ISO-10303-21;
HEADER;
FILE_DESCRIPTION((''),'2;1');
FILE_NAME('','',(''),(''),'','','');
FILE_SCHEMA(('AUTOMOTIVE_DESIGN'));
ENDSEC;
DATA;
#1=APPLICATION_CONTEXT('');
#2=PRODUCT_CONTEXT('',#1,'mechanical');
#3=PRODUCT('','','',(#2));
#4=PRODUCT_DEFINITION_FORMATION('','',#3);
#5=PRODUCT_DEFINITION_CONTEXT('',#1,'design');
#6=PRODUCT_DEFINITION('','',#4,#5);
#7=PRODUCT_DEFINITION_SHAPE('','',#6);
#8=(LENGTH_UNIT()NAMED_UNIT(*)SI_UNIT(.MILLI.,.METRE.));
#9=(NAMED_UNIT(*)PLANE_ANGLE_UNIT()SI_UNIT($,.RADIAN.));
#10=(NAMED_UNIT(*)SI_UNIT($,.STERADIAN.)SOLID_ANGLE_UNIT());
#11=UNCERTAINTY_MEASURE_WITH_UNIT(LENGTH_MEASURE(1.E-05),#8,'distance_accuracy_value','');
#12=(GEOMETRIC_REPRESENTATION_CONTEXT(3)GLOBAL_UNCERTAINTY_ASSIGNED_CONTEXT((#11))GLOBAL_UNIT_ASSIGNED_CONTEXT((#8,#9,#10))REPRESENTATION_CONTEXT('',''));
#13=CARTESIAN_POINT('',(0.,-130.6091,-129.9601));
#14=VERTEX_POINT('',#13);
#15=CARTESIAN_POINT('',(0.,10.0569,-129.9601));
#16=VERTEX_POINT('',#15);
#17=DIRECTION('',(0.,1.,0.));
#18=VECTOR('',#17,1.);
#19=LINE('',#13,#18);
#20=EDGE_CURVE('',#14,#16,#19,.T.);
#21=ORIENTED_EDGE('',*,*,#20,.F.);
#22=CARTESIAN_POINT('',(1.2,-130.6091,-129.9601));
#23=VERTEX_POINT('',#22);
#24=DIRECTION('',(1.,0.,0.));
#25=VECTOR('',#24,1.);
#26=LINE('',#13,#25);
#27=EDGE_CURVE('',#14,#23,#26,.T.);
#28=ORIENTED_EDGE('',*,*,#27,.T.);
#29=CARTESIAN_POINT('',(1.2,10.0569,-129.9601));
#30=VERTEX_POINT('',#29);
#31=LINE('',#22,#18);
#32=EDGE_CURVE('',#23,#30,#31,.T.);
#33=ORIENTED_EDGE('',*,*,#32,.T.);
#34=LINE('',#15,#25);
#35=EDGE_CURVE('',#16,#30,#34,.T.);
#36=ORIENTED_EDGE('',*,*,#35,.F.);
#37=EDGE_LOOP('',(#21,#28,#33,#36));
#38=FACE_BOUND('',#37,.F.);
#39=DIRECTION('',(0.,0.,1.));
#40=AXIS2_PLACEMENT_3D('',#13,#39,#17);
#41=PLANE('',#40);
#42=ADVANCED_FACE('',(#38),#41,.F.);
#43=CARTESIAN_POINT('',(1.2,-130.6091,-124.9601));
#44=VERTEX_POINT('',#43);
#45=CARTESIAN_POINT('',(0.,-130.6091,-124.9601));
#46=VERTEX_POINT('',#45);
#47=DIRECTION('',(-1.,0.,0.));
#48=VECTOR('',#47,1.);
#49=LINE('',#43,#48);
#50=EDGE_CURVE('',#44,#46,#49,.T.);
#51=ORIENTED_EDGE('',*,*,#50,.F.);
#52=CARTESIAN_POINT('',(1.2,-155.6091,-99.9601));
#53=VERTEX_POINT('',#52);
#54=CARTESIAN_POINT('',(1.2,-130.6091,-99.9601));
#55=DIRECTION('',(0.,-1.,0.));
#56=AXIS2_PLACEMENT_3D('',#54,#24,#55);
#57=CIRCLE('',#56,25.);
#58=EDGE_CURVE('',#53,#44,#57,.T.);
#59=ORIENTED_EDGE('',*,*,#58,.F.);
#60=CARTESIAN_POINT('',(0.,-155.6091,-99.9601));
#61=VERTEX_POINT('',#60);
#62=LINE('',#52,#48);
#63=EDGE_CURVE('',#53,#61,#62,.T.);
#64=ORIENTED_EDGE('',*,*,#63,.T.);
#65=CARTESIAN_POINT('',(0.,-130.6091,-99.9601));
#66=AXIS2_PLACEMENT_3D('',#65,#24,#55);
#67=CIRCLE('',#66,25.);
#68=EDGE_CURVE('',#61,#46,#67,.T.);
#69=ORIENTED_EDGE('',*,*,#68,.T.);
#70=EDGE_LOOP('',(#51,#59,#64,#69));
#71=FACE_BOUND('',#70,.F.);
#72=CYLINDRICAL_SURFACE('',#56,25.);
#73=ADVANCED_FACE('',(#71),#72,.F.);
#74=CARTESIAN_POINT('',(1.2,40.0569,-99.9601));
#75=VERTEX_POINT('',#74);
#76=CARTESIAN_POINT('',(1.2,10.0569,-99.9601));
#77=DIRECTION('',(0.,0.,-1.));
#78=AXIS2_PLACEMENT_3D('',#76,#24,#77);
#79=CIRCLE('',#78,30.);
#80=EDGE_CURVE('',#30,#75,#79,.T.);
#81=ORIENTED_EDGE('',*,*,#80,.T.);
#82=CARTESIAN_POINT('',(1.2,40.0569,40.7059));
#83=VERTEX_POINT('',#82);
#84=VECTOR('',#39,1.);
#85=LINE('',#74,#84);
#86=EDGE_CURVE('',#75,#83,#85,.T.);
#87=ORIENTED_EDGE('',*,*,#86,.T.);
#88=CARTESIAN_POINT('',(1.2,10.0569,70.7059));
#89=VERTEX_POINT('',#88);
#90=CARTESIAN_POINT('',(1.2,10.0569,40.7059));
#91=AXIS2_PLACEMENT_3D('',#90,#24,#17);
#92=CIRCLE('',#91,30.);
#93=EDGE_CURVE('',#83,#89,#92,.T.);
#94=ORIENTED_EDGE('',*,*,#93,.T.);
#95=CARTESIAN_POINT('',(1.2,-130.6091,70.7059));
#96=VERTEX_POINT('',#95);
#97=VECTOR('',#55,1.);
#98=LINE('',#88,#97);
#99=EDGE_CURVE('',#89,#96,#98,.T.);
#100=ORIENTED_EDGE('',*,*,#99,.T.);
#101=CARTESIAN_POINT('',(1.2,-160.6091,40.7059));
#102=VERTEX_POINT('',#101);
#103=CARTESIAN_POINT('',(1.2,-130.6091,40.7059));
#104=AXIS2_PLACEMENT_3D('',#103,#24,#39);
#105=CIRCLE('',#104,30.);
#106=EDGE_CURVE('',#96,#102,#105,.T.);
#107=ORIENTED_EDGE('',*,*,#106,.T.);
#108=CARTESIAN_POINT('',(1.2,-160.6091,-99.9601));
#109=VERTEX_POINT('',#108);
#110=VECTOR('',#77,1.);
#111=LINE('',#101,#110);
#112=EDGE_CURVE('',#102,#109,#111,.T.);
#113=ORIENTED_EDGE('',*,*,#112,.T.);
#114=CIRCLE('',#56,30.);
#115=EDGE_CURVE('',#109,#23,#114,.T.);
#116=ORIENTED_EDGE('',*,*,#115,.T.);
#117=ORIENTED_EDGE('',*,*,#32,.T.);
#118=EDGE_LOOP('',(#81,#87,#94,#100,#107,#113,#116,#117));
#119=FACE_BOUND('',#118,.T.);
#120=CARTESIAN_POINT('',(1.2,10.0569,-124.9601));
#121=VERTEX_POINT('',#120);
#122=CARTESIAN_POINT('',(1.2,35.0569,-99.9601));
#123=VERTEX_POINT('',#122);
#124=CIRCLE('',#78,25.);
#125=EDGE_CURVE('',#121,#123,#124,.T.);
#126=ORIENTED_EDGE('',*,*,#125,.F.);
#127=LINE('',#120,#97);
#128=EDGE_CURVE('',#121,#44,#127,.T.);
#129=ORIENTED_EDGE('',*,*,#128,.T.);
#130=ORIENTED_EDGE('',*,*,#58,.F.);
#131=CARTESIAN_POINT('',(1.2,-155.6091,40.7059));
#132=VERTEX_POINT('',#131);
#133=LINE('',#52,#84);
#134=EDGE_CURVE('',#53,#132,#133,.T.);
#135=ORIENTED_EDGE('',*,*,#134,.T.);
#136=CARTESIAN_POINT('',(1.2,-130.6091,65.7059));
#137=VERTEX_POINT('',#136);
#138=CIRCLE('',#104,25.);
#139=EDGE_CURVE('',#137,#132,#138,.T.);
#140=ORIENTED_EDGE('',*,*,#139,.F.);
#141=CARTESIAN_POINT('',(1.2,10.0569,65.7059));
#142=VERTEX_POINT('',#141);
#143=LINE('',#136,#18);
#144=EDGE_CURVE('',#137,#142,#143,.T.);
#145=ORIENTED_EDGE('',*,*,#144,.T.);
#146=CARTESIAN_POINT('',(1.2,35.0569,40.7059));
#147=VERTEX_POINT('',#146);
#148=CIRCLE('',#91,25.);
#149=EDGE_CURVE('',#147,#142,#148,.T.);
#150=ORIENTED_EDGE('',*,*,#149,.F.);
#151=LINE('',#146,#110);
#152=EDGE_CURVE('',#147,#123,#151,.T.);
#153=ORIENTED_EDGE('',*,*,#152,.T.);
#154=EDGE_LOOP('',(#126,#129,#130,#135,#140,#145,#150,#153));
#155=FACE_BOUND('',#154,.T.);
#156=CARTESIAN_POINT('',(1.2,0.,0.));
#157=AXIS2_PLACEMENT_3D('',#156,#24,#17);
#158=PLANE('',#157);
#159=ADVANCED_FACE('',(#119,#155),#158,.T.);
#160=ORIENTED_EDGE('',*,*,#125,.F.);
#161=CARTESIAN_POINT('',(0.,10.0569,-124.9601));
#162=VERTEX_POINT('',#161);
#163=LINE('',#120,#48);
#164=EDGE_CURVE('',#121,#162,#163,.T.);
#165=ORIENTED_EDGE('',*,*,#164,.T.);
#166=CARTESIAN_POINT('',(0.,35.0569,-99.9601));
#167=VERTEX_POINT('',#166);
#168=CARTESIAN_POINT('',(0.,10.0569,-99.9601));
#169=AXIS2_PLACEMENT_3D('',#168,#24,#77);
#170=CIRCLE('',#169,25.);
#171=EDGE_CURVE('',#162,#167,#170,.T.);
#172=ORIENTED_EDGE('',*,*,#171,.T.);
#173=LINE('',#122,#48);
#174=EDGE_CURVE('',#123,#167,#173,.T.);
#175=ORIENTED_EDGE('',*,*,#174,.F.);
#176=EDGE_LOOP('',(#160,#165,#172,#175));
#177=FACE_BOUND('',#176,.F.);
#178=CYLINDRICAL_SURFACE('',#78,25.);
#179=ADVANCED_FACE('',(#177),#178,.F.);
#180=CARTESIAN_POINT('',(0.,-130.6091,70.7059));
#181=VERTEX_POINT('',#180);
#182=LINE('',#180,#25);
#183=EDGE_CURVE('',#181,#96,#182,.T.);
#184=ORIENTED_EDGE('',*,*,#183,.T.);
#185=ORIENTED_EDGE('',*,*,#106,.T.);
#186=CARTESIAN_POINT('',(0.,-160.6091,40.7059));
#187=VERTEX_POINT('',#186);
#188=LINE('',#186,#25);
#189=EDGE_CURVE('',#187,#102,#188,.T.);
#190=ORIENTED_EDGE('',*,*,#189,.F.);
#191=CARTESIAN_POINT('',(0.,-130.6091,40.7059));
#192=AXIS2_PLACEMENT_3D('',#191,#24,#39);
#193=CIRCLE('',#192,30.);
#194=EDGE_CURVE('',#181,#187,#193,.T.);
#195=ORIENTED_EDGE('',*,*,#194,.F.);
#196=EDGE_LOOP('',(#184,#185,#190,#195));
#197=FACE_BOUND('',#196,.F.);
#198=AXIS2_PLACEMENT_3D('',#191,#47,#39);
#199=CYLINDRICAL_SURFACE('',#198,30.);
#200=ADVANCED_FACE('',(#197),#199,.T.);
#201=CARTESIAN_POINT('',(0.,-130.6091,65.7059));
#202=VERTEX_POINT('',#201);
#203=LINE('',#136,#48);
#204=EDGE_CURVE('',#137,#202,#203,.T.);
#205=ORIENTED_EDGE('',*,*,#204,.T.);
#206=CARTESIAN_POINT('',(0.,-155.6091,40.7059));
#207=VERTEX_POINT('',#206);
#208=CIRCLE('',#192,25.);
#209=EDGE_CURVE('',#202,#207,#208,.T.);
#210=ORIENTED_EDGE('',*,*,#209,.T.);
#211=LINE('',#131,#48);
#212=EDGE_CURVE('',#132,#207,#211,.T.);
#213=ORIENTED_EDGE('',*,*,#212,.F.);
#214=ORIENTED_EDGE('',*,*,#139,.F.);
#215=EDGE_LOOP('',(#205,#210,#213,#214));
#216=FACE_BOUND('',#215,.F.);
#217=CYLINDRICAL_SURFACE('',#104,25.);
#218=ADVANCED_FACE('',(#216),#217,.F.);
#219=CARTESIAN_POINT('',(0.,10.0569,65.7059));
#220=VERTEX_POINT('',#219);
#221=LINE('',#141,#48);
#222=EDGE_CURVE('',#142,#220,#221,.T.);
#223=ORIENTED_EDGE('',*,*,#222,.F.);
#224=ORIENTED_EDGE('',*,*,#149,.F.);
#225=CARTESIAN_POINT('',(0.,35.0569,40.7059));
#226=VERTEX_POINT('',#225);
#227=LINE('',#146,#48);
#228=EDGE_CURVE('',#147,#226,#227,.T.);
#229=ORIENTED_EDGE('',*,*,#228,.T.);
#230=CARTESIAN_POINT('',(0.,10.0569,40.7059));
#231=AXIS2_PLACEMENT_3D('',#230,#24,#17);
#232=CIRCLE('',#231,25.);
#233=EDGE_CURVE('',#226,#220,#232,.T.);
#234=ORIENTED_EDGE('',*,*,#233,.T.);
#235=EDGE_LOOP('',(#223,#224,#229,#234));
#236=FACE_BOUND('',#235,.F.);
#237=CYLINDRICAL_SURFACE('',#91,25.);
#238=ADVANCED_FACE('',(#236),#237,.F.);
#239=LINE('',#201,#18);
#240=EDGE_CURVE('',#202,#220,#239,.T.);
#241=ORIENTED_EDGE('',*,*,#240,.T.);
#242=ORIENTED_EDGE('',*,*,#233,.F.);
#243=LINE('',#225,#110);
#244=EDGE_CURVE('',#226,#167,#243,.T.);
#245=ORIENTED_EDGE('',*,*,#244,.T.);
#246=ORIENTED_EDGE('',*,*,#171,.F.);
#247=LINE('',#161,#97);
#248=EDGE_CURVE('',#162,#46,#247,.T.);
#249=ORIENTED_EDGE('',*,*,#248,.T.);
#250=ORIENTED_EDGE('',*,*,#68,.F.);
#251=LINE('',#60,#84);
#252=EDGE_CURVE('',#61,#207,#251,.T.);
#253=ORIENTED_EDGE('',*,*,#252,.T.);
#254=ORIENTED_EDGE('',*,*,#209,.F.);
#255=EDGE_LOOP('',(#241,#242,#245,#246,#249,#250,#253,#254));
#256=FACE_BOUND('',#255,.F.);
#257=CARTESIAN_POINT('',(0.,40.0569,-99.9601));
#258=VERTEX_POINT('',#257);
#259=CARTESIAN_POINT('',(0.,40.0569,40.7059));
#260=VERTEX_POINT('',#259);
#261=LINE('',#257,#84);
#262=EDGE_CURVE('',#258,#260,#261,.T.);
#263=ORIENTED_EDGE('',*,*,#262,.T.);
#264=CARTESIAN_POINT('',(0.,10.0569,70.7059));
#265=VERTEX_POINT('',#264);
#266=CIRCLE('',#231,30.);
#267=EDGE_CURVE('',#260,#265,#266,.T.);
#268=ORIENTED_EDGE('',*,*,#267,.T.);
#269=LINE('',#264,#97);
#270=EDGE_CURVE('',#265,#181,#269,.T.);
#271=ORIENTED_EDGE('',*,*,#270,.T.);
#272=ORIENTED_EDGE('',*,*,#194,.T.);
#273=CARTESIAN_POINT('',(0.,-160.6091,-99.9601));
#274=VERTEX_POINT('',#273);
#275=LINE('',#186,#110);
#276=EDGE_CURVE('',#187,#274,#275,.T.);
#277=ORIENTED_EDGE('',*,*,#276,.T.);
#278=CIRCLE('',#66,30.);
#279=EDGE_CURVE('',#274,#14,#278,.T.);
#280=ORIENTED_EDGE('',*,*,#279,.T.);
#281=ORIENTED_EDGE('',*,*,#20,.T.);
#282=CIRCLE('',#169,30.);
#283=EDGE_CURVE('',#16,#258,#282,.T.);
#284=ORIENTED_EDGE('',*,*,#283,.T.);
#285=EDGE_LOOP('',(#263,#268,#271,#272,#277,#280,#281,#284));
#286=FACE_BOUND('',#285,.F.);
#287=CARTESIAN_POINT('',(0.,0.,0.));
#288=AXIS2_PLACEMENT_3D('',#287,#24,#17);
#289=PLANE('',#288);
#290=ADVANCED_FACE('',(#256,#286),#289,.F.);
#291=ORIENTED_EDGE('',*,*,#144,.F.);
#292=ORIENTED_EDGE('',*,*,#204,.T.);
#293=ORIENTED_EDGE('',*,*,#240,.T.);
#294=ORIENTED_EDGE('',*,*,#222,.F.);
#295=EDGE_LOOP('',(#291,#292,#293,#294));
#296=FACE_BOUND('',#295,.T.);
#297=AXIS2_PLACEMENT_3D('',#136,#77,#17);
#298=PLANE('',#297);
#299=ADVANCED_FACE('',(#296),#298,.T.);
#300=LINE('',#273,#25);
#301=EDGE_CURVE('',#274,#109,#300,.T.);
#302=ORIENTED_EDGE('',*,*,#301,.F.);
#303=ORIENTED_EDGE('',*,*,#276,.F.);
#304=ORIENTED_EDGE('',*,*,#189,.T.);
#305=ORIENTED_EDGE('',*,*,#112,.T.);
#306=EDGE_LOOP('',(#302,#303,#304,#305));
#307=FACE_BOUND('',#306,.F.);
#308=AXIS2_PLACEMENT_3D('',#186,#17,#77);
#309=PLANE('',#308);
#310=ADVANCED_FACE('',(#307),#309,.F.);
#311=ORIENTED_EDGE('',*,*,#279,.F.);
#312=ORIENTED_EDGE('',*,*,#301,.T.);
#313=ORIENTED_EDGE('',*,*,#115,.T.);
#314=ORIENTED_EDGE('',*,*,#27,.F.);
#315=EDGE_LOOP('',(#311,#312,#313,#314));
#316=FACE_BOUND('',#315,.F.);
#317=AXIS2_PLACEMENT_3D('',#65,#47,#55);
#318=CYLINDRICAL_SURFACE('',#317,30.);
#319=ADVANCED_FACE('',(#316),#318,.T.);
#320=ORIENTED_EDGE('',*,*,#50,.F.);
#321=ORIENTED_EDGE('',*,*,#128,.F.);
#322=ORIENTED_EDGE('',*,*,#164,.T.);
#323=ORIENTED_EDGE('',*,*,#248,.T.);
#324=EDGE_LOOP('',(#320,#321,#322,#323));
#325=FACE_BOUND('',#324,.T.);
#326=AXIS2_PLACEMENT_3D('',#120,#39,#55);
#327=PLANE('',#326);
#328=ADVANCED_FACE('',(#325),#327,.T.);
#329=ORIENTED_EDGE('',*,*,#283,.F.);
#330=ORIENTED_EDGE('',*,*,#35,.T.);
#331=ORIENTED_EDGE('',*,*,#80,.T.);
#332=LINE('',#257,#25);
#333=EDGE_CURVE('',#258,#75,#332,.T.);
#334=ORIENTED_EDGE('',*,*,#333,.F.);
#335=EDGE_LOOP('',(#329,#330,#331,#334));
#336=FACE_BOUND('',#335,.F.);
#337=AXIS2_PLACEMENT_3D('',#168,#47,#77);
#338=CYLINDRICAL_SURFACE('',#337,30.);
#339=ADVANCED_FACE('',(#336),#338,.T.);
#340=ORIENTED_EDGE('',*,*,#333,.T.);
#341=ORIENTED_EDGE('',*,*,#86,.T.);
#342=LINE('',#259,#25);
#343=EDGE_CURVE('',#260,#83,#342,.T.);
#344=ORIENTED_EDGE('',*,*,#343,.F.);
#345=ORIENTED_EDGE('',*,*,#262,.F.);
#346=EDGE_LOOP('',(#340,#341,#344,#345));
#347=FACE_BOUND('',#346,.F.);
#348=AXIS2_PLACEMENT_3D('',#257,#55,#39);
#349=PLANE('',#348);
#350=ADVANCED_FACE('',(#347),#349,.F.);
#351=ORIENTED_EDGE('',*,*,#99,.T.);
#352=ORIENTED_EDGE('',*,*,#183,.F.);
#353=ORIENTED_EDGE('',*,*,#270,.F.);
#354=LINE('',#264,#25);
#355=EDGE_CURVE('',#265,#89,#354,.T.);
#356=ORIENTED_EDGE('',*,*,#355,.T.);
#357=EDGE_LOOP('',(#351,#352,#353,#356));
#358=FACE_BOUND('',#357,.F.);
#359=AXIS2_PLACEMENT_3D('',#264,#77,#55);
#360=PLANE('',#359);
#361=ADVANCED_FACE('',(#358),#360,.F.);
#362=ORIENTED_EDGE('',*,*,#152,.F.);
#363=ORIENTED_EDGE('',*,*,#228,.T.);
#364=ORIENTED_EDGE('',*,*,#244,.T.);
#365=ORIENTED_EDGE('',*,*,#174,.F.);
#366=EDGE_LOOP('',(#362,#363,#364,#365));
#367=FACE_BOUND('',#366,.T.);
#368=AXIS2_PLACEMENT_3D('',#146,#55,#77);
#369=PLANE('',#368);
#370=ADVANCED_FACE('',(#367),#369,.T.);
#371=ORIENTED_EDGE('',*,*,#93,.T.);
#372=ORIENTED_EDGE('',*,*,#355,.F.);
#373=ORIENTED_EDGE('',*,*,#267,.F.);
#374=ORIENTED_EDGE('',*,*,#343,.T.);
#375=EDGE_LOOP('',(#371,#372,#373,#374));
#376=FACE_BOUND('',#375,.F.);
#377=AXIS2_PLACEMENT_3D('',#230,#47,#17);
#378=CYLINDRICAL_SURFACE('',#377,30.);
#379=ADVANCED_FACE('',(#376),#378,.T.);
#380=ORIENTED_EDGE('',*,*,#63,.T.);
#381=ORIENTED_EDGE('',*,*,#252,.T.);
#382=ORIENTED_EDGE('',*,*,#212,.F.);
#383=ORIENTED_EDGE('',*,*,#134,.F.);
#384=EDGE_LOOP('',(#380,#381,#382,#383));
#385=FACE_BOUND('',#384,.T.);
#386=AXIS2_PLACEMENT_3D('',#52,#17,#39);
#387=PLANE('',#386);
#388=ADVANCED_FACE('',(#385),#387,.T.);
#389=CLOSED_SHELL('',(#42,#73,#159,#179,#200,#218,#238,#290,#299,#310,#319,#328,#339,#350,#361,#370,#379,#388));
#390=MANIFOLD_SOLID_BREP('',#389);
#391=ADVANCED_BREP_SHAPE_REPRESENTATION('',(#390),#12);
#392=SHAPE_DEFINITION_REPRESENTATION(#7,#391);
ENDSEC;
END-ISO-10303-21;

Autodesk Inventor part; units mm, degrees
ref_plane "YZ Plane" through (0, 0, 0) normal (1, 0, 0) x (0, 1, 0)
ref_plane "XZ Plane" through (0, 0, 0) normal (0, 1, 0) x (-1, 0, 0)
ref_plane "XY Plane" through (0, 0, 0) normal (0, 0, 1) x (1, 0, 0)
sketch "Эскиз1" plane through (0, 0, 0) normal (1, 0, 0) x (0, 1, 0)
  line L0 (10.0569, 70.7059) -> (-130.6091, 70.7059)
  line L1 (-160.6091, 40.7059) -> (-160.6091, -99.9601)
  line L2 (-130.6091, -129.9601) -> (10.0569, -129.9601)
  line L3 (40.0569, -99.9601) -> (40.0569, 40.7059)
  arc A0 (40.0569, 40.7059) -> (10.0569, 70.7059) centre (10.0569, 40.7059) ccw
  arc A1 (10.0569, -129.9601) -> (40.0569, -99.9601) centre (10.0569, -99.9601) ccw
  arc A2 (-160.6091, -99.9601) -> (-130.6091, -129.9601) centre (-130.6091, -99.9601) ccw
  arc A3 (-130.6091, 70.7059) -> (-160.6091, 40.7059) centre (-130.6091, 40.7059) ccw
  point P0 (0, 0)
  point P1 (-160.6091, -129.9601)
  point P2 (-160.6091, 70.7059)
  point P3 (40.0569, -129.9601)
  dimension "d0" = 200.666
  dimension "d1" = 200.666
  dimension "d2" = 30
extrude "Выдавливание1" add sketch "Эскиз1" along normal blind 1.2
sketch "Эскиз2" plane through (1.2, 0, 0) normal (1, 0, 0) x (0, 0, -1)
  line L0 (-40.7059, -160.6091) -> (99.9601, -160.6091) projected
  arc A0 (99.9601, -160.6091) -> (129.9601, -130.6091) centre (99.9601, -130.6091) ccw projected
  line L1 (129.9601, -130.6091) -> (129.9601, 10.0569) projected
  arc A1 (129.9601, 10.0569) -> (99.9601, 40.0569) centre (99.9601, 10.0569) ccw projected
  line L2 (99.9601, 40.0569) -> (-40.7059, 40.0569) projected
  arc A2 (-40.7059, 40.0569) -> (-70.7059, 10.0569) centre (-40.7059, 10.0569) ccw projected
  line L3 (-70.7059, 10.0569) -> (-70.7059, -130.6091) projected
  arc A3 (-70.7059, -130.6091) -> (-40.7059, -160.6091) centre (-40.7059, -130.6091) ccw projected
  line L4 (-40.7059, 35.0569) -> (99.9601, 35.0569)
  arc A4 (124.9601, 10.0569) -> (99.9601, 35.0569) centre (99.9601, 10.0569) ccw
  line L5 (124.9601, 10.0569) -> (124.9601, -130.6091)
  arc A5 (99.9601, -155.6091) -> (124.9601, -130.6091) centre (99.9601, -130.6091) ccw
  line L6 (99.9601, -155.6091) -> (-40.7059, -155.6091)
  arc A6 (-65.7059, -130.6091) -> (-40.7059, -155.6091) centre (-40.7059, -130.6091) ccw
  line L7 (-65.7059, -130.6091) -> (-65.7059, 10.0569)
  arc A7 (-40.7059, 35.0569) -> (-65.7059, 10.0569) centre (-40.7059, 10.0569) ccw
  point P0 (0, 0)
  dimension "d5" = 5
extrude "Выдавливание2" cut sketch "Эскиз2" against normal up to surface (1.2 mm away) contours L4 A4 L5 A5 L6 A6 L7 A7
